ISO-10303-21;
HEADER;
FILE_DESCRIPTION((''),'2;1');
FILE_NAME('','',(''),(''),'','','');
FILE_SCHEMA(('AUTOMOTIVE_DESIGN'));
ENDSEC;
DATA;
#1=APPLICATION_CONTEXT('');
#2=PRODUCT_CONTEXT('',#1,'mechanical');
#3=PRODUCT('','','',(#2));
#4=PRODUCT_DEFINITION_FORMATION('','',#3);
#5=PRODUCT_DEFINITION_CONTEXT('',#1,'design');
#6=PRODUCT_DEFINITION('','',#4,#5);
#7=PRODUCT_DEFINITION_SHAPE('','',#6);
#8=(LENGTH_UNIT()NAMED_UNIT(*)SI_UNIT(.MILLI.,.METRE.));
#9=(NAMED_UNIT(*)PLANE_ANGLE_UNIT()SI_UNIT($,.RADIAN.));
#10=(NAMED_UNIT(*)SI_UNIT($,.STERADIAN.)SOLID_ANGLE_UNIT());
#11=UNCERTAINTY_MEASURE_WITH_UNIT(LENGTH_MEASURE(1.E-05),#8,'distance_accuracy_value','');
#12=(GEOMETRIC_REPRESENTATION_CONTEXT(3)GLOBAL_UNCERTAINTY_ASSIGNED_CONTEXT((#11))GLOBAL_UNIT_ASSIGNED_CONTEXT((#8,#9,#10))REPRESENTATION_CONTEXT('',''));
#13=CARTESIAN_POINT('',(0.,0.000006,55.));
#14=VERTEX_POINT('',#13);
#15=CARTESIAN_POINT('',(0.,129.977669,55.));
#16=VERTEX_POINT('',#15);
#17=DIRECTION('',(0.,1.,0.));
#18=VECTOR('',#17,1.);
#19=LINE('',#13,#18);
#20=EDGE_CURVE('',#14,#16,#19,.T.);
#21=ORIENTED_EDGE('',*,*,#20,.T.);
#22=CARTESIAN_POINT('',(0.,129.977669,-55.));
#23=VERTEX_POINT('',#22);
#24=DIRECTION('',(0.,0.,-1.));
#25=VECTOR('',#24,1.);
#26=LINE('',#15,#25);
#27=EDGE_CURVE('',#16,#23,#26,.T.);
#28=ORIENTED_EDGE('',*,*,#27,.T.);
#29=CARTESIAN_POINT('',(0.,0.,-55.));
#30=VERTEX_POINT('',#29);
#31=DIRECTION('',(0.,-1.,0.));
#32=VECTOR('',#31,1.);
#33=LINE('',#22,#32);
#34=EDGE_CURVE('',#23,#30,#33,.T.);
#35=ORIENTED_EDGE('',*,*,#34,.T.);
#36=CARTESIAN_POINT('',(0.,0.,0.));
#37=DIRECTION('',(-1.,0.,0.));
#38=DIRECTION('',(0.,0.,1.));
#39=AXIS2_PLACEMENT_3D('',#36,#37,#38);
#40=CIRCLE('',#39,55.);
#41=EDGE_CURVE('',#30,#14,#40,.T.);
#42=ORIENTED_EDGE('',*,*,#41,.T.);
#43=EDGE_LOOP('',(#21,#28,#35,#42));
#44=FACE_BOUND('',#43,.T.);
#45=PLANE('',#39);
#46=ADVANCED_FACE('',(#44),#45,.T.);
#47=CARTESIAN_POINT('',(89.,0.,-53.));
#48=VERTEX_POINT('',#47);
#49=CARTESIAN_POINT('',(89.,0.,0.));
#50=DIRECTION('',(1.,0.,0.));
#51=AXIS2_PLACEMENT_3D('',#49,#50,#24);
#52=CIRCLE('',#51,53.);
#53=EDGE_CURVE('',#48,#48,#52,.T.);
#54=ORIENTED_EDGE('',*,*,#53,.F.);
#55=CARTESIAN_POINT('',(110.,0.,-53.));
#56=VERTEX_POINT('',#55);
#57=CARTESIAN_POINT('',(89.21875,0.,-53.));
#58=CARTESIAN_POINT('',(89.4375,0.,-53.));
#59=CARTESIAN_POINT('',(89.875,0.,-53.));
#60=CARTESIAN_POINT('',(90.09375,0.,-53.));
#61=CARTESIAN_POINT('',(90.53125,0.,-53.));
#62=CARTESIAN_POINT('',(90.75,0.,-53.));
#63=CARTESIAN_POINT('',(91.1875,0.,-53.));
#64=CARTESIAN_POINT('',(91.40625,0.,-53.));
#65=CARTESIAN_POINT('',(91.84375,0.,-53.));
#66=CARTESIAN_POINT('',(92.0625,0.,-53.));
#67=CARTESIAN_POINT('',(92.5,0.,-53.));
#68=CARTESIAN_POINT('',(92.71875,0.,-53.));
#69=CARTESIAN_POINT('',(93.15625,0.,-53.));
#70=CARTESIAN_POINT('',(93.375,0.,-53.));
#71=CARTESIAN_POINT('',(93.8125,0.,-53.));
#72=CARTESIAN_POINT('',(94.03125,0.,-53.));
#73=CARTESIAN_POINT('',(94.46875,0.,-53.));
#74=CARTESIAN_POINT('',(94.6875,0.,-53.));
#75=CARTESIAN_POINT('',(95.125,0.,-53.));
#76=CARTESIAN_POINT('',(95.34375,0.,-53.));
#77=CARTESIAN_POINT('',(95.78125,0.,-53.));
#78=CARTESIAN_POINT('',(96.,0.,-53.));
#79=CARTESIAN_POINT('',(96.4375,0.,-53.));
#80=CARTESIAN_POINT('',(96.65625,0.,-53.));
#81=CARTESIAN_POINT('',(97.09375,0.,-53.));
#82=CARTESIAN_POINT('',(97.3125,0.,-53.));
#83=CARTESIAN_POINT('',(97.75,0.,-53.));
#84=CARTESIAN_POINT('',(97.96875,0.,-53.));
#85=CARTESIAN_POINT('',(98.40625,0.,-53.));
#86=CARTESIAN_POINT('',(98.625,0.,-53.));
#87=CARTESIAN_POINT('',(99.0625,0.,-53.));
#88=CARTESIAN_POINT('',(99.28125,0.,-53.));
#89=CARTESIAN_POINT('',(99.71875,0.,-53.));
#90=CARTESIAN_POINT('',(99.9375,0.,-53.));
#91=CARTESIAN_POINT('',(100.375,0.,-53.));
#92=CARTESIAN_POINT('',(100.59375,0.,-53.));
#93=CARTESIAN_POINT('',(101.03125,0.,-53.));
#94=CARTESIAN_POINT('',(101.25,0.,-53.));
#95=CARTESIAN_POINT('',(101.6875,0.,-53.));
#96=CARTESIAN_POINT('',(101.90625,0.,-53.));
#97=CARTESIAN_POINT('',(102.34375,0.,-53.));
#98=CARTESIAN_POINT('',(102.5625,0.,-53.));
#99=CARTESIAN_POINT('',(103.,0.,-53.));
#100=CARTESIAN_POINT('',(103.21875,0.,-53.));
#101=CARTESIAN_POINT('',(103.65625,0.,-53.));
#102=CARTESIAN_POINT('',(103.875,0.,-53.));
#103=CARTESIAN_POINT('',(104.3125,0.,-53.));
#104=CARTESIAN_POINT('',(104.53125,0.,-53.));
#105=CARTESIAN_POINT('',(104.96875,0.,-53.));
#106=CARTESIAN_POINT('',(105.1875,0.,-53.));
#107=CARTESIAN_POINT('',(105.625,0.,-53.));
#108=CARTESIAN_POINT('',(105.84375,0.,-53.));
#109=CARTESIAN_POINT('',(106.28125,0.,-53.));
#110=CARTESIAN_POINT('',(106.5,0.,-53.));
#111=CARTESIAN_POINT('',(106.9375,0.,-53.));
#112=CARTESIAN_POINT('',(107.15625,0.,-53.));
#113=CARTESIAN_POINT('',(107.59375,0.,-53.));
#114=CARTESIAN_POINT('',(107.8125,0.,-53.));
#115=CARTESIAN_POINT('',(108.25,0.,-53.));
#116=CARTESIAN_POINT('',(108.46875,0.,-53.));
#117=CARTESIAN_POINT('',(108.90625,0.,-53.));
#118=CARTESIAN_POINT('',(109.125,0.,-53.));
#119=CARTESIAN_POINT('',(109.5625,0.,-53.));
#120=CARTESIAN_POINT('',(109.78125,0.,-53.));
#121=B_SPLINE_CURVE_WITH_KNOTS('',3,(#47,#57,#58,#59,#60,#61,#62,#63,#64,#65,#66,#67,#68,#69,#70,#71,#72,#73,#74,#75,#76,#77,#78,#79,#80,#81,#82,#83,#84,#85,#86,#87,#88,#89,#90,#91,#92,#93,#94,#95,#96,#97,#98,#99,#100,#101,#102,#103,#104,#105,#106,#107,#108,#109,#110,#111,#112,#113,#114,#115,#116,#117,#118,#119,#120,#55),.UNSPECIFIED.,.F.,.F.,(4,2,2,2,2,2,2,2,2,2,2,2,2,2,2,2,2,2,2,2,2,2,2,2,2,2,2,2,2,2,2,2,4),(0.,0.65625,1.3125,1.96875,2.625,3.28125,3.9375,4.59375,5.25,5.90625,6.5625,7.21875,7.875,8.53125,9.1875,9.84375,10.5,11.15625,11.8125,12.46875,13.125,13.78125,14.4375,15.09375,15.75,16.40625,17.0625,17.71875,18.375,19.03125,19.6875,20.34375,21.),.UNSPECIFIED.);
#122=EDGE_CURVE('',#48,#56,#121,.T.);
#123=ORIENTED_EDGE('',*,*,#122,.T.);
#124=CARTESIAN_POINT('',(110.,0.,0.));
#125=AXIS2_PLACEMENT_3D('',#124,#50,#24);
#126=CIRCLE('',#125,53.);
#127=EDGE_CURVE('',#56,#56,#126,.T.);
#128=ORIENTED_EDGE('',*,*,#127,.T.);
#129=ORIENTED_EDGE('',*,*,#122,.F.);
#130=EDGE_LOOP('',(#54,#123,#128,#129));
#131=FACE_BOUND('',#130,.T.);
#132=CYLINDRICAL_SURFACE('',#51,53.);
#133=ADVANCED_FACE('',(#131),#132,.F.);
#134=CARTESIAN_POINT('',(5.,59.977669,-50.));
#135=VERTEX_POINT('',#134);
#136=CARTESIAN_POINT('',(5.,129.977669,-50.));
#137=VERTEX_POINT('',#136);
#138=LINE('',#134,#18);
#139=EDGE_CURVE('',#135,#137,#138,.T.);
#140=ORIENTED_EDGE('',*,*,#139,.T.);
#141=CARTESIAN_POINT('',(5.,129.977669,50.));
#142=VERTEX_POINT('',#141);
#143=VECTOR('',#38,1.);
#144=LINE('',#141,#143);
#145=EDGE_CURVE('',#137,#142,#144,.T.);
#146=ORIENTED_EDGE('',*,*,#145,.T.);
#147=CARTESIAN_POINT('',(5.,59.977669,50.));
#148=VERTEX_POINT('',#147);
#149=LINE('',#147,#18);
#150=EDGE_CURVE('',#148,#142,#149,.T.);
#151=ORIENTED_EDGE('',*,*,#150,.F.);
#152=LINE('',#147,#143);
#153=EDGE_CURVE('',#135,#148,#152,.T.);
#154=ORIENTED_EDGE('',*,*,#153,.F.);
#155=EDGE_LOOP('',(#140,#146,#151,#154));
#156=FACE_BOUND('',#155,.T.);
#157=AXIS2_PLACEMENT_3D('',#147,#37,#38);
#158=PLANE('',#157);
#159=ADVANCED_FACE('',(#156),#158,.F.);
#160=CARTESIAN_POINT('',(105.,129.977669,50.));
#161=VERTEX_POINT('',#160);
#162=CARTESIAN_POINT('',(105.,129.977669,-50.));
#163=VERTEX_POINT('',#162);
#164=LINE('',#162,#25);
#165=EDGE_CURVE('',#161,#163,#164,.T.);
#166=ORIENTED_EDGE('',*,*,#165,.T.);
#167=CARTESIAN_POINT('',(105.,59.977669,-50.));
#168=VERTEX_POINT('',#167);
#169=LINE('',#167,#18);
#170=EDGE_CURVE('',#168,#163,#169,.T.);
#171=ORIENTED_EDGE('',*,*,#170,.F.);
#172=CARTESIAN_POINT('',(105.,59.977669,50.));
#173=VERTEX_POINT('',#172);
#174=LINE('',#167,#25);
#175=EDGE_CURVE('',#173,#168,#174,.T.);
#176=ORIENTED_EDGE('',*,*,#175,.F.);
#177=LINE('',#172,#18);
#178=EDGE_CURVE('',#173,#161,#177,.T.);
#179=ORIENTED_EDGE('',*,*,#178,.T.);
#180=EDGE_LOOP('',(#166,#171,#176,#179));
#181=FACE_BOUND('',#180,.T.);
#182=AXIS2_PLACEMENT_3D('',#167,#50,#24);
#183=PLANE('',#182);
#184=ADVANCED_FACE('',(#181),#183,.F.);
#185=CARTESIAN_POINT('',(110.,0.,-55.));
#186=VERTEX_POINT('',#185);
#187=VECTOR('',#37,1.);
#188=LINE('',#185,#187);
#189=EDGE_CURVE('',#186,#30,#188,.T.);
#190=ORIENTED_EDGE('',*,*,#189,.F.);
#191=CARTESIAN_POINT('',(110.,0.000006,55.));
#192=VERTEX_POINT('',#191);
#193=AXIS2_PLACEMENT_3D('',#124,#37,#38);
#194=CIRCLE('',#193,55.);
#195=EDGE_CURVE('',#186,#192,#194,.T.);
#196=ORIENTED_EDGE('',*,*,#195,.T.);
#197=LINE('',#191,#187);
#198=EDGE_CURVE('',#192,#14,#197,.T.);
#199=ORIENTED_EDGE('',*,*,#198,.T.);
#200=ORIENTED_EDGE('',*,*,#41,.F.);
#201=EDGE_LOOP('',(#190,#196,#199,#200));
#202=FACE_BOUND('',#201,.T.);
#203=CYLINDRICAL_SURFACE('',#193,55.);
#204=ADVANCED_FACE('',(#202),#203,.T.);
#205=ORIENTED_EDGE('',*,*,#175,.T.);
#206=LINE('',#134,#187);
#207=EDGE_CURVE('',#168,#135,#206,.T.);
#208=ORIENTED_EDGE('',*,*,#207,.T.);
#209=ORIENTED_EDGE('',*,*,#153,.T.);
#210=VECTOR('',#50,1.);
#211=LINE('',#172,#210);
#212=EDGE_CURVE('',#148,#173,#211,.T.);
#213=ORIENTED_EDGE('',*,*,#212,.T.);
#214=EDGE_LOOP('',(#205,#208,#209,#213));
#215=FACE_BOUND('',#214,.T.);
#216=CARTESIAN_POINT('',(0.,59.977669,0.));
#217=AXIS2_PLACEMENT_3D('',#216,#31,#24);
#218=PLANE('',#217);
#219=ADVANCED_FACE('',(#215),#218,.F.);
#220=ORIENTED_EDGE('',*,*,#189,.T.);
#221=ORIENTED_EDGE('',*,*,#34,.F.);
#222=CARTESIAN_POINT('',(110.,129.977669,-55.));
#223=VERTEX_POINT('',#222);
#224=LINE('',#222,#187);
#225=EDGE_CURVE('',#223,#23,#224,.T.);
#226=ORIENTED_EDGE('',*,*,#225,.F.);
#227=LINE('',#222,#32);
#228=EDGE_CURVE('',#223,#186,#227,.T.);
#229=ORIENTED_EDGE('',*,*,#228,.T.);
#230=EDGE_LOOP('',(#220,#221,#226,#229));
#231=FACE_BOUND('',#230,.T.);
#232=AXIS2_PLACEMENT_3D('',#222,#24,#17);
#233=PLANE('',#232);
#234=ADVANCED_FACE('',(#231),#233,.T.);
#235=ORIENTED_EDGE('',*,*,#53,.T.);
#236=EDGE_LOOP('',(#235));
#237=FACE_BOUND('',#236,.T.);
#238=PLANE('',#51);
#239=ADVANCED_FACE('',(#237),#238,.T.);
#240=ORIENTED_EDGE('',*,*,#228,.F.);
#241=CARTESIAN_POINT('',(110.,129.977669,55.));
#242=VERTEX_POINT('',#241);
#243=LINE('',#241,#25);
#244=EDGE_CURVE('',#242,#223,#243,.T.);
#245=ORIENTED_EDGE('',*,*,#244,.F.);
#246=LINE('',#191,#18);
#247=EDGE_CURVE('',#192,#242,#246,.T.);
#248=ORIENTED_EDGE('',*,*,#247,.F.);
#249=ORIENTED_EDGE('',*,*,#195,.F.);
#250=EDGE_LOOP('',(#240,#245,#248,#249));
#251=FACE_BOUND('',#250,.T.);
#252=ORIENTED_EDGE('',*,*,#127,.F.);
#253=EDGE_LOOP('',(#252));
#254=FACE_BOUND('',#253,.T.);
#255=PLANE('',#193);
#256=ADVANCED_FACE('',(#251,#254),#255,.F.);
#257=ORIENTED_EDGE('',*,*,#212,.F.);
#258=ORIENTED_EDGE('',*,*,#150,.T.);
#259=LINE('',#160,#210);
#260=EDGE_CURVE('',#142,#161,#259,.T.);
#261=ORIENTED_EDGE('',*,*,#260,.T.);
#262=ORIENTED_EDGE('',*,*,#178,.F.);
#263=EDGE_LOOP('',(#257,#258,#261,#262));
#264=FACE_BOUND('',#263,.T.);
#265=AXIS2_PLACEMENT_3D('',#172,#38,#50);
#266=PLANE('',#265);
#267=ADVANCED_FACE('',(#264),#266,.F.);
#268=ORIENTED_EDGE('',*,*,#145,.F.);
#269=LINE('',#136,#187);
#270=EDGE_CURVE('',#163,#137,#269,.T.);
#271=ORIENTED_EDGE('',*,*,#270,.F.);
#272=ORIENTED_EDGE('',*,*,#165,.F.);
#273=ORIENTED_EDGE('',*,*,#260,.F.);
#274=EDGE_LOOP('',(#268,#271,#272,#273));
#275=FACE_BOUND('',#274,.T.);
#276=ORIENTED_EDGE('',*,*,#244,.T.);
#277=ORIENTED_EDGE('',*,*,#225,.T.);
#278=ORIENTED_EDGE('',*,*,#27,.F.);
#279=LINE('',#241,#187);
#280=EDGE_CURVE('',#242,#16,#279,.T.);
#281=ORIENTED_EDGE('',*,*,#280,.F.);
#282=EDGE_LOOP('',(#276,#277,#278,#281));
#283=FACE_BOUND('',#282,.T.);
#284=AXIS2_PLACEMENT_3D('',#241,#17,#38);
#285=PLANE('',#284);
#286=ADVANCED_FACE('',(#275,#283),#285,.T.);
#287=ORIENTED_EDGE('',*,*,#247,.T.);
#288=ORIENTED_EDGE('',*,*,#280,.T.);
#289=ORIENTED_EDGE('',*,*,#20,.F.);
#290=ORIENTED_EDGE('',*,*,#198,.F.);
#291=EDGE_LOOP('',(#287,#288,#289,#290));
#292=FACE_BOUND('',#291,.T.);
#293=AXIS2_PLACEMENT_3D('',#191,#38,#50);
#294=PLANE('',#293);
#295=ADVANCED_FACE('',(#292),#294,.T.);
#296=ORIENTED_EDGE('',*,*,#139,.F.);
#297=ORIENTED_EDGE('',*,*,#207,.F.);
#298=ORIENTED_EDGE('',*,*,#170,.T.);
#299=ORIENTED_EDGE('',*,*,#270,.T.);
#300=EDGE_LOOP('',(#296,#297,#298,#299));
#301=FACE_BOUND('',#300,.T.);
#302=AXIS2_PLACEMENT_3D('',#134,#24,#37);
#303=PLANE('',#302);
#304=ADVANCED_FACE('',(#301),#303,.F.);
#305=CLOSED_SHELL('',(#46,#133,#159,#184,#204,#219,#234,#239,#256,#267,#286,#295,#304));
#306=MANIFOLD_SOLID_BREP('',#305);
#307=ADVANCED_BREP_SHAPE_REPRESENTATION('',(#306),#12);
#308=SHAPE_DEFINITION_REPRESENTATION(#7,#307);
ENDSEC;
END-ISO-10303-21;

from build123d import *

# Parameters (mm, degrees)
BOSS_EXTRUDE1_DEPTH = 110
SKETCH2_W           = 100
SKETCH2_H           = 100
CUT_EXTRUDE1_DEPTH  = 70
SKETCH3_R           = 53
CUT_EXTRUDE2_DEPTH  = 21


with BuildPart() as part:
    # Sketch1 → Boss-Extrude1 (new body)
    with BuildSketch(Plane(origin=(0, 0, 0), x_dir=(0, 0, -1), z_dir=(1, 0, 0))):
        with BuildLine():
            Line((55, 129.977668722), (55, -2.75e-07))
            ThreePointArc((55, -2.75e-07), (-2.948e-06, -55), (-55, 5.622e-06))
            Line((-55, 5.622e-06), (-55, 129.977668722))
            Line((-55, 129.977668722), (55, 129.977668722))
        make_face()
    extrude(amount=BOSS_EXTRUDE1_DEPTH)

    # Sketch2 → Cut-Extrude1 (cut)
    with BuildSketch(Plane(origin=(0, 129.977668722, 0), x_dir=(1, 0, 0), z_dir=(0, 1, 0))):
        with Locations((55, 0)):
            Rectangle(SKETCH2_W, SKETCH2_H)
    extrude(amount=-CUT_EXTRUDE1_DEPTH, mode=Mode.SUBTRACT)

    # Sketch3 → Cut-Extrude2 (cut)
    with BuildSketch(Plane(origin=(110, 0, 0), x_dir=(0, 0, -1), z_dir=(1, 0, 0))):
        Circle(SKETCH3_R)
    extrude(amount=-CUT_EXTRUDE2_DEPTH, mode=Mode.SUBTRACT)


solid = part.part
